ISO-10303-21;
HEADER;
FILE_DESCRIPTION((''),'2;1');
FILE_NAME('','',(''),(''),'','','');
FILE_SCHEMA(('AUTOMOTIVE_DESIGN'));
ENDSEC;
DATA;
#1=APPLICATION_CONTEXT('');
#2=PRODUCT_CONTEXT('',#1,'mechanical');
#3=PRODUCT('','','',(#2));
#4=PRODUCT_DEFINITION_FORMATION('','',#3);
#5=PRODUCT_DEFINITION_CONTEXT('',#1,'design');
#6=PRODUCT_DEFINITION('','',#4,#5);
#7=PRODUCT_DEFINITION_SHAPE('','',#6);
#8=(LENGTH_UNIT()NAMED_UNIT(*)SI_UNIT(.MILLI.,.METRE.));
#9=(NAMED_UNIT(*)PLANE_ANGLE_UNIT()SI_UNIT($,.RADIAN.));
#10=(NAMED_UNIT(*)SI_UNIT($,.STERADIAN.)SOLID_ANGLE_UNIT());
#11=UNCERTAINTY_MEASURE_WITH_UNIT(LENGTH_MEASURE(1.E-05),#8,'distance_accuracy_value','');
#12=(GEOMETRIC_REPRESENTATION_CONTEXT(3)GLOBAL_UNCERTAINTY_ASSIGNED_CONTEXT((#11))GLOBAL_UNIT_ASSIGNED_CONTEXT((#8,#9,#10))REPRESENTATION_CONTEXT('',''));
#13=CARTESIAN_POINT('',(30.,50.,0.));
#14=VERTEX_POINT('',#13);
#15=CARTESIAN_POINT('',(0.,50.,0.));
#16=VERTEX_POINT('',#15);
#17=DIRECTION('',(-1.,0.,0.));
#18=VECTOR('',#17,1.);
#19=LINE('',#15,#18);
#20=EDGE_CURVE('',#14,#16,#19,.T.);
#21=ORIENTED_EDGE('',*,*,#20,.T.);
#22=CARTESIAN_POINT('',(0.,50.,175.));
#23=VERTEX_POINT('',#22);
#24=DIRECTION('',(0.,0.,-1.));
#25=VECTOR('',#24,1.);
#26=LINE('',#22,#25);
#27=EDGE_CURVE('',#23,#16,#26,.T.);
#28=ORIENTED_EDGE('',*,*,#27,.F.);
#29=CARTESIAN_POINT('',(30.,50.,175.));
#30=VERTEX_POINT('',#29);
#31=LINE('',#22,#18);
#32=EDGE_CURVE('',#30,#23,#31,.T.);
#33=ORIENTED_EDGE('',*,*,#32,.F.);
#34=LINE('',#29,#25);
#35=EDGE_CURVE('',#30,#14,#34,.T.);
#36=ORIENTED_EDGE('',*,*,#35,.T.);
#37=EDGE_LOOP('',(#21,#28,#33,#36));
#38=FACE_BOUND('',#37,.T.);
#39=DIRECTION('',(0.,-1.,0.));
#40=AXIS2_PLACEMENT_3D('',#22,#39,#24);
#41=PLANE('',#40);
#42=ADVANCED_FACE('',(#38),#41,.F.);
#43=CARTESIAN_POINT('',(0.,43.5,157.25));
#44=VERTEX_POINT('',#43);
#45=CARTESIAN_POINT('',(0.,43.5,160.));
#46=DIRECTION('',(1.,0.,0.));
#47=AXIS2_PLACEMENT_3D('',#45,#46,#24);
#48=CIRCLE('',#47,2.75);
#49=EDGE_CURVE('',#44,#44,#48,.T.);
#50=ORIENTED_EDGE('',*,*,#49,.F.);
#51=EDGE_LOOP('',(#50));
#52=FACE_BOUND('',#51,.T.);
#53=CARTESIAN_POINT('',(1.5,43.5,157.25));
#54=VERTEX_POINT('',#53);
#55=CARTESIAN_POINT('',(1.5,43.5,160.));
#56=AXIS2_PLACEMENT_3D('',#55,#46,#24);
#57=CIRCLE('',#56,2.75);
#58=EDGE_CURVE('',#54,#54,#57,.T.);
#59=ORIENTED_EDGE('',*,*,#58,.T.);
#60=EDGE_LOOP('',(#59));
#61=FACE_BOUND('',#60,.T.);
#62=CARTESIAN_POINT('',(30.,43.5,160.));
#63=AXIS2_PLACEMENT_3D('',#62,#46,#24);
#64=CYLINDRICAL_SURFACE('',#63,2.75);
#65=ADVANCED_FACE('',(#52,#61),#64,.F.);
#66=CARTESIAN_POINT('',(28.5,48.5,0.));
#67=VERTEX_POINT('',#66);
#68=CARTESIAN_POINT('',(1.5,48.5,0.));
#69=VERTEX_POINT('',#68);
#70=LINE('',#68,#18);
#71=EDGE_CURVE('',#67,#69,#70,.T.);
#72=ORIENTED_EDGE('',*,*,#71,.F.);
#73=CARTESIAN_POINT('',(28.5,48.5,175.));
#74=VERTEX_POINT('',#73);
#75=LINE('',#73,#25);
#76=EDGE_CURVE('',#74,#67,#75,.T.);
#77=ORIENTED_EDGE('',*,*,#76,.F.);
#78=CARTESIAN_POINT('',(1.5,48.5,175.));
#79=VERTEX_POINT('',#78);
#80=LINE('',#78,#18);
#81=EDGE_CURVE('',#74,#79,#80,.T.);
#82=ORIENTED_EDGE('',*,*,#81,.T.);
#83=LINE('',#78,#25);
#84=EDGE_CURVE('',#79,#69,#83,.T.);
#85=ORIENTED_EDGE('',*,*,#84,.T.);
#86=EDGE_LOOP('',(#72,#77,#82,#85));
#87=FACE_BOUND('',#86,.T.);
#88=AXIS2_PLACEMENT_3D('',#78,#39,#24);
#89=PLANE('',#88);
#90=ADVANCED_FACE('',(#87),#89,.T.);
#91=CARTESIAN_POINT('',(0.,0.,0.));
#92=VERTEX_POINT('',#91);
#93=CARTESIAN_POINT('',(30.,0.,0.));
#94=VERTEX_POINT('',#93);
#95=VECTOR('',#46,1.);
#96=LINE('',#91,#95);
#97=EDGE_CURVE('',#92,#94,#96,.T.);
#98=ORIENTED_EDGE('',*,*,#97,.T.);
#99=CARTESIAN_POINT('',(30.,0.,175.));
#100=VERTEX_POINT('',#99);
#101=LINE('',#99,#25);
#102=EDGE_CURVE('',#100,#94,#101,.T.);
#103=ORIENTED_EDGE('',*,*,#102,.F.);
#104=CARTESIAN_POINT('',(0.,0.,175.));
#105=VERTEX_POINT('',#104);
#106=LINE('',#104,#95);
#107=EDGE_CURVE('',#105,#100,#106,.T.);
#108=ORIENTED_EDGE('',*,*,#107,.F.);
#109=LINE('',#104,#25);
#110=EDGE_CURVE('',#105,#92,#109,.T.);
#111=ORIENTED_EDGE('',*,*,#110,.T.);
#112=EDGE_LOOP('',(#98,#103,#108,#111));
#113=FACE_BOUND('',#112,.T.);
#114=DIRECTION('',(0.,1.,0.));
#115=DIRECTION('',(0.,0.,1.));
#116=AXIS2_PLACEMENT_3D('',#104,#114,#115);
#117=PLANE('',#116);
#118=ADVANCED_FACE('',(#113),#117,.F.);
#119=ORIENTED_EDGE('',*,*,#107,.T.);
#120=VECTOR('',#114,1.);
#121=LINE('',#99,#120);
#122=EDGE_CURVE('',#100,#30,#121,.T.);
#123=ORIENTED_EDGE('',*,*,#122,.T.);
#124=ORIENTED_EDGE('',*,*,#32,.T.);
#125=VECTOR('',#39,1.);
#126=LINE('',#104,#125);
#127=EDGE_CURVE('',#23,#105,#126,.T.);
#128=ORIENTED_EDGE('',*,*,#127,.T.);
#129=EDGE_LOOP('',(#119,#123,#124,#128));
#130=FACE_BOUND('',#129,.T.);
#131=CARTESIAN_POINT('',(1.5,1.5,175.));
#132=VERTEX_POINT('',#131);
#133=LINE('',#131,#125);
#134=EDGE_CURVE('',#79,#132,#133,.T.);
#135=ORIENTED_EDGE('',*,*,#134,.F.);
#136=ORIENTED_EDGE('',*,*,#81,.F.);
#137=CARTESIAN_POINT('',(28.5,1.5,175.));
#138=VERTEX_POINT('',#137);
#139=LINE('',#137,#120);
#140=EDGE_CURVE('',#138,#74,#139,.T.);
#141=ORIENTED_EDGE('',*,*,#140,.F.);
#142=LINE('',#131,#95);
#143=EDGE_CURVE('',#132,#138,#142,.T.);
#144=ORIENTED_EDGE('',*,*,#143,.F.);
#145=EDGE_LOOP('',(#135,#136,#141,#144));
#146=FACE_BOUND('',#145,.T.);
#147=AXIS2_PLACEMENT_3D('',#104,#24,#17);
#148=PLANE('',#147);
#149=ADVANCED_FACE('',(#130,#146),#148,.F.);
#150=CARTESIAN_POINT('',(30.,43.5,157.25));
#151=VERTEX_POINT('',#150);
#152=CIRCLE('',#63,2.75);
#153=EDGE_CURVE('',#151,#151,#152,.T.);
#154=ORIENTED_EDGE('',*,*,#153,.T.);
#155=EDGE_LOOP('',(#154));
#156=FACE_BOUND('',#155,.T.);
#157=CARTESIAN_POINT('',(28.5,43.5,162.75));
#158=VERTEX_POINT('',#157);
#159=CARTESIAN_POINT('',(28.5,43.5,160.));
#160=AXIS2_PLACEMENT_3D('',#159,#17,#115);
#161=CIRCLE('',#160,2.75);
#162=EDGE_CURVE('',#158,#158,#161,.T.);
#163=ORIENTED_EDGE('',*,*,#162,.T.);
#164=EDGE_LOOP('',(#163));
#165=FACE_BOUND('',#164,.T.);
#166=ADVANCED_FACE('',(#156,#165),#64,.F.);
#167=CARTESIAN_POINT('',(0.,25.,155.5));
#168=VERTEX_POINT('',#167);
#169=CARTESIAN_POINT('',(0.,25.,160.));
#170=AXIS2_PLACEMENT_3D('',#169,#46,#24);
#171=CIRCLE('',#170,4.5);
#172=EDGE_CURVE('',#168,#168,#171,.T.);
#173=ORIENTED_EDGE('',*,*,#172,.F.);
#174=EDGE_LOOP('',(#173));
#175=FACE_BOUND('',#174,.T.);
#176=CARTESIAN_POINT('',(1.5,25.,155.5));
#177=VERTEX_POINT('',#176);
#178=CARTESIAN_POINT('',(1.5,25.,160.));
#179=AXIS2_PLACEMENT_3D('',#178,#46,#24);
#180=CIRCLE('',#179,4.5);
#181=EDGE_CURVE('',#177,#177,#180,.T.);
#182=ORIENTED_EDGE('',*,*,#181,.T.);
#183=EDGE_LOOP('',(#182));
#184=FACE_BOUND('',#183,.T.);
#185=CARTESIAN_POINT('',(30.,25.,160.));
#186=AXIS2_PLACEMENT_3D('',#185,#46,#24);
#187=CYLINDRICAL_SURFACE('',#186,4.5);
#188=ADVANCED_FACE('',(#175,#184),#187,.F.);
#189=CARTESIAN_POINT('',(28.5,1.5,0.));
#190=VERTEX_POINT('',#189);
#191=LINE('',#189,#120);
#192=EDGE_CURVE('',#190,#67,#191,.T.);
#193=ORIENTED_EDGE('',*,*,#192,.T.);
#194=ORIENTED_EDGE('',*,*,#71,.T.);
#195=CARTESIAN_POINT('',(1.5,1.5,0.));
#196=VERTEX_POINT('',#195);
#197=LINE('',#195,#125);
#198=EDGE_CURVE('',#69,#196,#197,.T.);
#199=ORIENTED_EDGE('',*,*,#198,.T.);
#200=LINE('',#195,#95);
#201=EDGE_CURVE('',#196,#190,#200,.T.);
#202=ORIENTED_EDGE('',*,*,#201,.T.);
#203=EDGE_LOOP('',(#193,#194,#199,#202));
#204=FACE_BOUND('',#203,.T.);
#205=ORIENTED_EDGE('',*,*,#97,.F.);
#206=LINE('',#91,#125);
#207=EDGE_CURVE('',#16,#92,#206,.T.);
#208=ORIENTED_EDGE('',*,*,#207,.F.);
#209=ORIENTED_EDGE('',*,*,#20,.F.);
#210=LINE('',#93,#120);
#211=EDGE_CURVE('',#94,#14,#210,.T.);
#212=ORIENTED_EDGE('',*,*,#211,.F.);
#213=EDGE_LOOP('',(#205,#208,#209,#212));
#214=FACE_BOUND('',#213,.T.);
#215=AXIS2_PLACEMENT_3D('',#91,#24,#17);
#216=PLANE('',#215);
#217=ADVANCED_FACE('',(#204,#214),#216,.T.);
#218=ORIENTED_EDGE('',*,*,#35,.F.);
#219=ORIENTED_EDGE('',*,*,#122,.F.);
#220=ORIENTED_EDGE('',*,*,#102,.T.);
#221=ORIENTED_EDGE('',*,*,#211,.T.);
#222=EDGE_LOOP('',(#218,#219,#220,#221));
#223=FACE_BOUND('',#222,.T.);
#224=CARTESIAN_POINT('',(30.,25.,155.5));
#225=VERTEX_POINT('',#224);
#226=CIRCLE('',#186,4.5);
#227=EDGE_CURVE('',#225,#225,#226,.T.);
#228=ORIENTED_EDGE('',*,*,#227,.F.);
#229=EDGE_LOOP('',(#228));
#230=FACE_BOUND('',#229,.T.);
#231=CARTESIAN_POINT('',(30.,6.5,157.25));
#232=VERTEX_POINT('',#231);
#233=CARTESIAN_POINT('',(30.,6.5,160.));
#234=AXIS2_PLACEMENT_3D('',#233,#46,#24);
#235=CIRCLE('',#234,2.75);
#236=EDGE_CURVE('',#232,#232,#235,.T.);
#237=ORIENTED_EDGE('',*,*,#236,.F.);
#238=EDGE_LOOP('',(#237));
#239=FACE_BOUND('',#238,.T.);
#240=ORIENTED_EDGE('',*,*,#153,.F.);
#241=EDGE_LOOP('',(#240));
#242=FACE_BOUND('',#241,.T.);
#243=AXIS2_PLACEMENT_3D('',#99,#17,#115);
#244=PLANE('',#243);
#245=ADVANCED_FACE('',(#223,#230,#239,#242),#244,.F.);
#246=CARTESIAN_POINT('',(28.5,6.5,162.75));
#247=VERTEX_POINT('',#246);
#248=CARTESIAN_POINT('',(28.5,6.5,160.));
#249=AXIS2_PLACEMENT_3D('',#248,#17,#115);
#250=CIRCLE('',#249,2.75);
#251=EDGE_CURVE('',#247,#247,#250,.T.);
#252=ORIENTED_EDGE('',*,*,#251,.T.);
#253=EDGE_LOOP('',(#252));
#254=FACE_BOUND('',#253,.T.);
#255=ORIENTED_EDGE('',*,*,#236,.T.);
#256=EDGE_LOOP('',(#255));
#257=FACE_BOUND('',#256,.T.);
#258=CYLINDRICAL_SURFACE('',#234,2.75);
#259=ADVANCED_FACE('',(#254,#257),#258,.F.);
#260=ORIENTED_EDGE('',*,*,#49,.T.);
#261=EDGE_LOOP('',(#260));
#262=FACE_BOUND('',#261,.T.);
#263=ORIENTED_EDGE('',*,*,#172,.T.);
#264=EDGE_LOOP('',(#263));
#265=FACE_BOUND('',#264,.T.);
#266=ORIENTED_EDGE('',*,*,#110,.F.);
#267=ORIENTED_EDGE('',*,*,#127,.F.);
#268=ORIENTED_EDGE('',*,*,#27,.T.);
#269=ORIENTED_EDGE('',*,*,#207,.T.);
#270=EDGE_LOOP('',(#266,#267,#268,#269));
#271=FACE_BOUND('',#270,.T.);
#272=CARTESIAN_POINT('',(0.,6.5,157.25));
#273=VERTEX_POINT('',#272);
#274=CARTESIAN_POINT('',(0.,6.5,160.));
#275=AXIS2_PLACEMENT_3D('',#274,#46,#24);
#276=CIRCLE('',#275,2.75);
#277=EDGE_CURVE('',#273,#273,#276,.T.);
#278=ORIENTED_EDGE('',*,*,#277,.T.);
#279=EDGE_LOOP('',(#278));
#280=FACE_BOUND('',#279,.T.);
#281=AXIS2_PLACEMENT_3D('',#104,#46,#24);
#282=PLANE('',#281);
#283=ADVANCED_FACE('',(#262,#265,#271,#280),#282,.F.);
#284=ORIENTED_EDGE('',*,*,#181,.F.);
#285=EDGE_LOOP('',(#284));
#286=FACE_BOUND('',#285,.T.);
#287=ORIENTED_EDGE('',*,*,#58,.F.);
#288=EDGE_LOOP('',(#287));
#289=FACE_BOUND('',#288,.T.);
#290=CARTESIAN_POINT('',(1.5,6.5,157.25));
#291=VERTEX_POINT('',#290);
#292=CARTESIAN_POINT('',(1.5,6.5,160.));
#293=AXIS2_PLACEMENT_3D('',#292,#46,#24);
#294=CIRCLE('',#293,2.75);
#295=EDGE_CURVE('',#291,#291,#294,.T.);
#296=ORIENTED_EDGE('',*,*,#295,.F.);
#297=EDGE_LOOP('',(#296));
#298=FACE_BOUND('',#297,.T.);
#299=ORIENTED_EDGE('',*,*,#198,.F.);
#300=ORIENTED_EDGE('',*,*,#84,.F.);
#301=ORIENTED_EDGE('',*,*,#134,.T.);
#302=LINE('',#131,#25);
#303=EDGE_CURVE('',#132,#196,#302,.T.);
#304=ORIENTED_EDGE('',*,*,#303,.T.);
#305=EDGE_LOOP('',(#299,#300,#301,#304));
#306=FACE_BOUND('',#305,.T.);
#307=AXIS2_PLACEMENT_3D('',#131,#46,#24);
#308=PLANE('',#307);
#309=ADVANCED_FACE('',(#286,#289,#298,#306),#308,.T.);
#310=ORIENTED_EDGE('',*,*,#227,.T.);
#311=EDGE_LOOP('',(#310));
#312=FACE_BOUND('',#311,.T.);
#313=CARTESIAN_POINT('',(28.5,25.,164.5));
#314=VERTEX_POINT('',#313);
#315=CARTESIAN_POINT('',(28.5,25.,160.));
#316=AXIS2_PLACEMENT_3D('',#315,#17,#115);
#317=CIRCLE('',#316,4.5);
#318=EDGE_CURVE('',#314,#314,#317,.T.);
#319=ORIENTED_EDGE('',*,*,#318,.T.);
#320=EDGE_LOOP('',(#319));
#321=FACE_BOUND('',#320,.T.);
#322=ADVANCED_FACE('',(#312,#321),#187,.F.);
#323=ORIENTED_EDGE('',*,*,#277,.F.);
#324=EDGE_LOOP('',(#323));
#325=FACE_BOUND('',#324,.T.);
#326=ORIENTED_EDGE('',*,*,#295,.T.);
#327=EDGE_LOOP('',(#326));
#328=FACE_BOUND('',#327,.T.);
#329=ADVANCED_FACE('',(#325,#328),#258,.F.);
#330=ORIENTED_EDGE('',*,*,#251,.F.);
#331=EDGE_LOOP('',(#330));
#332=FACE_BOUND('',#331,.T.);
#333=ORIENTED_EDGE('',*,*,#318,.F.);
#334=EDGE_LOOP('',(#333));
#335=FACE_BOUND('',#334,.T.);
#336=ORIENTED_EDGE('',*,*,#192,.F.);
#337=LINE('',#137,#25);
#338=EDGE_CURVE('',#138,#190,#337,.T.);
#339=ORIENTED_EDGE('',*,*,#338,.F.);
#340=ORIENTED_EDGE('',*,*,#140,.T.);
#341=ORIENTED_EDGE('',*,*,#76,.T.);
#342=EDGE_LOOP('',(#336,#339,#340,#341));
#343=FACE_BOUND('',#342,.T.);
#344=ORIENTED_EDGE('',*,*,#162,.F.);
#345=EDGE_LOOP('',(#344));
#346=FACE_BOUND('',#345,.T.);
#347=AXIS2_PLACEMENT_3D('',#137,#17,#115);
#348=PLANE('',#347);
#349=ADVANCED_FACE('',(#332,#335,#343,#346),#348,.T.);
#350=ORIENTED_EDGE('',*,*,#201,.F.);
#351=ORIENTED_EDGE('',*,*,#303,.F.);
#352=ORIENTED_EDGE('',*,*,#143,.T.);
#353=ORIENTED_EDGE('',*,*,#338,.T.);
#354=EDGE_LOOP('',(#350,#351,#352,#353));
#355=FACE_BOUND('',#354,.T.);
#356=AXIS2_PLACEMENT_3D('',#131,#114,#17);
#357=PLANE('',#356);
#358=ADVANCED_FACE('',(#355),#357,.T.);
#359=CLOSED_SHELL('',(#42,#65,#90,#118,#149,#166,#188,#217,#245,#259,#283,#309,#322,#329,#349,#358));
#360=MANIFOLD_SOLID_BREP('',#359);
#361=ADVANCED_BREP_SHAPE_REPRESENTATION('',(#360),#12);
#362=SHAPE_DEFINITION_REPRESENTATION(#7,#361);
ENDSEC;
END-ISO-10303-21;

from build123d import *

# Parameters (mm, degrees)
ESBO_O1_W                   = 30
ESBO_O1_H                   = 50
ESBO_O1_W_2                 = 27
ESBO_O1_H_2                 = 47
RESSALTO_EXTRUS_O1_DEPTH    = 175
FURO_COM_FOLGA_DE_M53_D     = 5.5
FURO_COM_FOLGA_DE_M53_DEPTH = 30
FURO_COM_FOLGA_DE_M53_TIP   = 1.652366702
FURO_COM_FOLGA_DE_M85_D     = 9
FURO_COM_FOLGA_DE_M85_DEPTH = 30
FURO_COM_FOLGA_DE_M85_TIP   = 2.703872786


with BuildPart() as part:
    # Esboço1 → Ressalto-extrusão1 (new body)
    with BuildSketch(Plane.XY):
        with Locations((15, 25)):
            Rectangle(ESBO_O1_W, ESBO_O1_H)
        with Locations((15, 25)):
            Rectangle(ESBO_O1_W_2, ESBO_O1_H_2, mode=Mode.SUBTRACT)
    extrude(amount=RESSALTO_EXTRUS_O1_DEPTH)

    # Furo com folga de M53
    with Locations(Plane(origin=(30, 0, 0), x_dir=(0, 0, -1), z_dir=(1, 0, 0))):
        with Locations((-160, 43.5), (-160, 6.5)):
            Hole(FURO_COM_FOLGA_DE_M53_D / 2, depth=FURO_COM_FOLGA_DE_M53_DEPTH)
            with Locations((0, 0, -(FURO_COM_FOLGA_DE_M53_DEPTH + FURO_COM_FOLGA_DE_M53_TIP / 2))):  # 118° drill point
                Cone(0, FURO_COM_FOLGA_DE_M53_D / 2, FURO_COM_FOLGA_DE_M53_TIP, mode=Mode.SUBTRACT)

    # Furo com folga de M85
    with Locations(Plane(origin=(30, 0, 0), x_dir=(0, 0, -1), z_dir=(1, 0, 0))):
        with Locations((-160, 25)):
            Hole(FURO_COM_FOLGA_DE_M85_D / 2, depth=FURO_COM_FOLGA_DE_M85_DEPTH)
            with Locations((0, 0, -(FURO_COM_FOLGA_DE_M85_DEPTH + FURO_COM_FOLGA_DE_M85_TIP / 2))):  # 118° drill point
                Cone(0, FURO_COM_FOLGA_DE_M85_D / 2, FURO_COM_FOLGA_DE_M85_TIP, mode=Mode.SUBTRACT)


solid = part.part
